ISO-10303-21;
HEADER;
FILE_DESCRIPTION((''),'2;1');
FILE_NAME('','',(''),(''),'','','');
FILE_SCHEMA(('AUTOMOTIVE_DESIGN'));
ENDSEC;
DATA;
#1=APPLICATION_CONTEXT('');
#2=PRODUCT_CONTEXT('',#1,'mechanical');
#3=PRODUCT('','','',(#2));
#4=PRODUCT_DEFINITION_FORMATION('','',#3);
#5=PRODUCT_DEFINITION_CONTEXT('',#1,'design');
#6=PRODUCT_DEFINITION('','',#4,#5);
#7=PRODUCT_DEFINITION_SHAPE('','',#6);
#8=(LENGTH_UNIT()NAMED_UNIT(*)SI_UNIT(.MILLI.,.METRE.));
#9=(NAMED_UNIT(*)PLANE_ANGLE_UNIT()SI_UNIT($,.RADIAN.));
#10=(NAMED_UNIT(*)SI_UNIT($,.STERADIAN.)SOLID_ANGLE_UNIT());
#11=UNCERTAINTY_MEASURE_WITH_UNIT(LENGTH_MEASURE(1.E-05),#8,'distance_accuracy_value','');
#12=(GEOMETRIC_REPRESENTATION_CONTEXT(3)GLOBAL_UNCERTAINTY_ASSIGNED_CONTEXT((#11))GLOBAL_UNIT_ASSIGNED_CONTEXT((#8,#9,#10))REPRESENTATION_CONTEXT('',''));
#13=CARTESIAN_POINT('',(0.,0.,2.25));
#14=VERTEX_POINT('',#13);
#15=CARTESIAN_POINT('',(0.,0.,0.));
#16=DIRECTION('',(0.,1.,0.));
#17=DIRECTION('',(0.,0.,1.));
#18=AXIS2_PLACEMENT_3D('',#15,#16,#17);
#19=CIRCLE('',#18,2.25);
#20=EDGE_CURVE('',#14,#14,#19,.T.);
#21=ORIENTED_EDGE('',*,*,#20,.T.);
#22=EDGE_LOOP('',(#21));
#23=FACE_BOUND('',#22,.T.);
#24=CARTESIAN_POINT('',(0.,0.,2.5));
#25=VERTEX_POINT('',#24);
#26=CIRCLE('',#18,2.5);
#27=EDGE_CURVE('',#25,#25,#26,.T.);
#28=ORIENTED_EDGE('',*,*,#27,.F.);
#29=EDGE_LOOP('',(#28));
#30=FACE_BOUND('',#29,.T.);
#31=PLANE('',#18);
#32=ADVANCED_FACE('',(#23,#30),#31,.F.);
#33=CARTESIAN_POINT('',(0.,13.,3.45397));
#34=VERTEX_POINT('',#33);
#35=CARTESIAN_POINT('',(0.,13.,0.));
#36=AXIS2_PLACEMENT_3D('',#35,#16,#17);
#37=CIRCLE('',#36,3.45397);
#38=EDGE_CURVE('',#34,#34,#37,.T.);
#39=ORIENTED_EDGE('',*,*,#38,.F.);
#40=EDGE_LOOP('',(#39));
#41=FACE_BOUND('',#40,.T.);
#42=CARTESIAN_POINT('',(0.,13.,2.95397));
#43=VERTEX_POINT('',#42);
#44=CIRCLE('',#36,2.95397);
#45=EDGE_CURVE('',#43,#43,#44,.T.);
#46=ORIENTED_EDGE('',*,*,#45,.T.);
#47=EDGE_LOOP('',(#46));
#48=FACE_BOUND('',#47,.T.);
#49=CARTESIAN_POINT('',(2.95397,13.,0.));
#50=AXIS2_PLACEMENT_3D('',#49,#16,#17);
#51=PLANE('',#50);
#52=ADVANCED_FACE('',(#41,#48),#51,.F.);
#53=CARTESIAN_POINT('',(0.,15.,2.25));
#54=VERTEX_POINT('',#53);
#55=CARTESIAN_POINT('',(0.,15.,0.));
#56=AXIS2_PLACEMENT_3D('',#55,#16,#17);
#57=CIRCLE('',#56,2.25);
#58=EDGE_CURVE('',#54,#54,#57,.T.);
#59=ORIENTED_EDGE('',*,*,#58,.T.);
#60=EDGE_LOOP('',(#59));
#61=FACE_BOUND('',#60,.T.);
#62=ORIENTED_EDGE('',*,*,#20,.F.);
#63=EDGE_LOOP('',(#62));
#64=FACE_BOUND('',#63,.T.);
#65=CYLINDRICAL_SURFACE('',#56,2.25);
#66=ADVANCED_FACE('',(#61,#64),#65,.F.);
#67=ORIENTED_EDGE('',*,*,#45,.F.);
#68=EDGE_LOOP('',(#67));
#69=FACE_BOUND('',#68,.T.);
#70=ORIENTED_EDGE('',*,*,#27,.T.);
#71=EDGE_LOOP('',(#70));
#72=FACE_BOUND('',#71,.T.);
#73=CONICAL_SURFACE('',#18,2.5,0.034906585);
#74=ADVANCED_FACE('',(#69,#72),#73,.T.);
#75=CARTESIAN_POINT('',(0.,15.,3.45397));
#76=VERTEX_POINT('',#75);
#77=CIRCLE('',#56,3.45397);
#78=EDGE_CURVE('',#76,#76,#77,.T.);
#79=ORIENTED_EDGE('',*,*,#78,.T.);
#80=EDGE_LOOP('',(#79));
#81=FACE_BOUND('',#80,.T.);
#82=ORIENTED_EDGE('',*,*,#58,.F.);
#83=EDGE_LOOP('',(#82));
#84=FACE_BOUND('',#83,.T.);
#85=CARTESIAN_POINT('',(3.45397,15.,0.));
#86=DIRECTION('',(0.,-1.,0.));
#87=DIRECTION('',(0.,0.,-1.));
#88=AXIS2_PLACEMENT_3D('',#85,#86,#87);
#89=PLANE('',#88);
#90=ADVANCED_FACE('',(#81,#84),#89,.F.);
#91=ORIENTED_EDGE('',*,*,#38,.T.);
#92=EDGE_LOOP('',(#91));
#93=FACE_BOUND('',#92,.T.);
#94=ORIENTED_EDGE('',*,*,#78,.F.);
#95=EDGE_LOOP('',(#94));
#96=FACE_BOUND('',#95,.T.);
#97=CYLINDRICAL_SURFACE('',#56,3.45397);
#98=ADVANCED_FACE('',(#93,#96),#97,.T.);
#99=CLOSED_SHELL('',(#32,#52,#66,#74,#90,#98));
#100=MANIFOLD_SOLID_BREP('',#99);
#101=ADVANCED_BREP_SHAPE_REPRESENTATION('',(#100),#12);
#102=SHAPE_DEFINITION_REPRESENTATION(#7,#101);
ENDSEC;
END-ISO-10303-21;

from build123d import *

# Parameters (mm, degrees)
M4_CLEARANCE_HOLE1_D = 4.5


with BuildPart() as part:
    # Sketch1 → Revolve1 (revolve)
    with BuildSketch(Plane.XY, mode=Mode.PRIVATE) as revolve1_sk:
        Polygon((0, 0), (2.5, 0), (2.953970003, 13), (3.453970003, 13), (3.453970003, 15), (0, 15), align=None)
    revolve(revolve1_sk.sketch.rotate(Axis((0, 15, 0), (0, -1, 0)), 90), axis=Axis((0, 15, 0), (0, -1, 0)))

    # M4 Clearance Hole1 (through all)
    with Locations(Plane(origin=(0, 15, 0), x_dir=(1, 0, 0), z_dir=(0, 1, 0))):
        with Locations((0, 0)):
            Hole(M4_CLEARANCE_HOLE1_D / 2)


solid = part.part
